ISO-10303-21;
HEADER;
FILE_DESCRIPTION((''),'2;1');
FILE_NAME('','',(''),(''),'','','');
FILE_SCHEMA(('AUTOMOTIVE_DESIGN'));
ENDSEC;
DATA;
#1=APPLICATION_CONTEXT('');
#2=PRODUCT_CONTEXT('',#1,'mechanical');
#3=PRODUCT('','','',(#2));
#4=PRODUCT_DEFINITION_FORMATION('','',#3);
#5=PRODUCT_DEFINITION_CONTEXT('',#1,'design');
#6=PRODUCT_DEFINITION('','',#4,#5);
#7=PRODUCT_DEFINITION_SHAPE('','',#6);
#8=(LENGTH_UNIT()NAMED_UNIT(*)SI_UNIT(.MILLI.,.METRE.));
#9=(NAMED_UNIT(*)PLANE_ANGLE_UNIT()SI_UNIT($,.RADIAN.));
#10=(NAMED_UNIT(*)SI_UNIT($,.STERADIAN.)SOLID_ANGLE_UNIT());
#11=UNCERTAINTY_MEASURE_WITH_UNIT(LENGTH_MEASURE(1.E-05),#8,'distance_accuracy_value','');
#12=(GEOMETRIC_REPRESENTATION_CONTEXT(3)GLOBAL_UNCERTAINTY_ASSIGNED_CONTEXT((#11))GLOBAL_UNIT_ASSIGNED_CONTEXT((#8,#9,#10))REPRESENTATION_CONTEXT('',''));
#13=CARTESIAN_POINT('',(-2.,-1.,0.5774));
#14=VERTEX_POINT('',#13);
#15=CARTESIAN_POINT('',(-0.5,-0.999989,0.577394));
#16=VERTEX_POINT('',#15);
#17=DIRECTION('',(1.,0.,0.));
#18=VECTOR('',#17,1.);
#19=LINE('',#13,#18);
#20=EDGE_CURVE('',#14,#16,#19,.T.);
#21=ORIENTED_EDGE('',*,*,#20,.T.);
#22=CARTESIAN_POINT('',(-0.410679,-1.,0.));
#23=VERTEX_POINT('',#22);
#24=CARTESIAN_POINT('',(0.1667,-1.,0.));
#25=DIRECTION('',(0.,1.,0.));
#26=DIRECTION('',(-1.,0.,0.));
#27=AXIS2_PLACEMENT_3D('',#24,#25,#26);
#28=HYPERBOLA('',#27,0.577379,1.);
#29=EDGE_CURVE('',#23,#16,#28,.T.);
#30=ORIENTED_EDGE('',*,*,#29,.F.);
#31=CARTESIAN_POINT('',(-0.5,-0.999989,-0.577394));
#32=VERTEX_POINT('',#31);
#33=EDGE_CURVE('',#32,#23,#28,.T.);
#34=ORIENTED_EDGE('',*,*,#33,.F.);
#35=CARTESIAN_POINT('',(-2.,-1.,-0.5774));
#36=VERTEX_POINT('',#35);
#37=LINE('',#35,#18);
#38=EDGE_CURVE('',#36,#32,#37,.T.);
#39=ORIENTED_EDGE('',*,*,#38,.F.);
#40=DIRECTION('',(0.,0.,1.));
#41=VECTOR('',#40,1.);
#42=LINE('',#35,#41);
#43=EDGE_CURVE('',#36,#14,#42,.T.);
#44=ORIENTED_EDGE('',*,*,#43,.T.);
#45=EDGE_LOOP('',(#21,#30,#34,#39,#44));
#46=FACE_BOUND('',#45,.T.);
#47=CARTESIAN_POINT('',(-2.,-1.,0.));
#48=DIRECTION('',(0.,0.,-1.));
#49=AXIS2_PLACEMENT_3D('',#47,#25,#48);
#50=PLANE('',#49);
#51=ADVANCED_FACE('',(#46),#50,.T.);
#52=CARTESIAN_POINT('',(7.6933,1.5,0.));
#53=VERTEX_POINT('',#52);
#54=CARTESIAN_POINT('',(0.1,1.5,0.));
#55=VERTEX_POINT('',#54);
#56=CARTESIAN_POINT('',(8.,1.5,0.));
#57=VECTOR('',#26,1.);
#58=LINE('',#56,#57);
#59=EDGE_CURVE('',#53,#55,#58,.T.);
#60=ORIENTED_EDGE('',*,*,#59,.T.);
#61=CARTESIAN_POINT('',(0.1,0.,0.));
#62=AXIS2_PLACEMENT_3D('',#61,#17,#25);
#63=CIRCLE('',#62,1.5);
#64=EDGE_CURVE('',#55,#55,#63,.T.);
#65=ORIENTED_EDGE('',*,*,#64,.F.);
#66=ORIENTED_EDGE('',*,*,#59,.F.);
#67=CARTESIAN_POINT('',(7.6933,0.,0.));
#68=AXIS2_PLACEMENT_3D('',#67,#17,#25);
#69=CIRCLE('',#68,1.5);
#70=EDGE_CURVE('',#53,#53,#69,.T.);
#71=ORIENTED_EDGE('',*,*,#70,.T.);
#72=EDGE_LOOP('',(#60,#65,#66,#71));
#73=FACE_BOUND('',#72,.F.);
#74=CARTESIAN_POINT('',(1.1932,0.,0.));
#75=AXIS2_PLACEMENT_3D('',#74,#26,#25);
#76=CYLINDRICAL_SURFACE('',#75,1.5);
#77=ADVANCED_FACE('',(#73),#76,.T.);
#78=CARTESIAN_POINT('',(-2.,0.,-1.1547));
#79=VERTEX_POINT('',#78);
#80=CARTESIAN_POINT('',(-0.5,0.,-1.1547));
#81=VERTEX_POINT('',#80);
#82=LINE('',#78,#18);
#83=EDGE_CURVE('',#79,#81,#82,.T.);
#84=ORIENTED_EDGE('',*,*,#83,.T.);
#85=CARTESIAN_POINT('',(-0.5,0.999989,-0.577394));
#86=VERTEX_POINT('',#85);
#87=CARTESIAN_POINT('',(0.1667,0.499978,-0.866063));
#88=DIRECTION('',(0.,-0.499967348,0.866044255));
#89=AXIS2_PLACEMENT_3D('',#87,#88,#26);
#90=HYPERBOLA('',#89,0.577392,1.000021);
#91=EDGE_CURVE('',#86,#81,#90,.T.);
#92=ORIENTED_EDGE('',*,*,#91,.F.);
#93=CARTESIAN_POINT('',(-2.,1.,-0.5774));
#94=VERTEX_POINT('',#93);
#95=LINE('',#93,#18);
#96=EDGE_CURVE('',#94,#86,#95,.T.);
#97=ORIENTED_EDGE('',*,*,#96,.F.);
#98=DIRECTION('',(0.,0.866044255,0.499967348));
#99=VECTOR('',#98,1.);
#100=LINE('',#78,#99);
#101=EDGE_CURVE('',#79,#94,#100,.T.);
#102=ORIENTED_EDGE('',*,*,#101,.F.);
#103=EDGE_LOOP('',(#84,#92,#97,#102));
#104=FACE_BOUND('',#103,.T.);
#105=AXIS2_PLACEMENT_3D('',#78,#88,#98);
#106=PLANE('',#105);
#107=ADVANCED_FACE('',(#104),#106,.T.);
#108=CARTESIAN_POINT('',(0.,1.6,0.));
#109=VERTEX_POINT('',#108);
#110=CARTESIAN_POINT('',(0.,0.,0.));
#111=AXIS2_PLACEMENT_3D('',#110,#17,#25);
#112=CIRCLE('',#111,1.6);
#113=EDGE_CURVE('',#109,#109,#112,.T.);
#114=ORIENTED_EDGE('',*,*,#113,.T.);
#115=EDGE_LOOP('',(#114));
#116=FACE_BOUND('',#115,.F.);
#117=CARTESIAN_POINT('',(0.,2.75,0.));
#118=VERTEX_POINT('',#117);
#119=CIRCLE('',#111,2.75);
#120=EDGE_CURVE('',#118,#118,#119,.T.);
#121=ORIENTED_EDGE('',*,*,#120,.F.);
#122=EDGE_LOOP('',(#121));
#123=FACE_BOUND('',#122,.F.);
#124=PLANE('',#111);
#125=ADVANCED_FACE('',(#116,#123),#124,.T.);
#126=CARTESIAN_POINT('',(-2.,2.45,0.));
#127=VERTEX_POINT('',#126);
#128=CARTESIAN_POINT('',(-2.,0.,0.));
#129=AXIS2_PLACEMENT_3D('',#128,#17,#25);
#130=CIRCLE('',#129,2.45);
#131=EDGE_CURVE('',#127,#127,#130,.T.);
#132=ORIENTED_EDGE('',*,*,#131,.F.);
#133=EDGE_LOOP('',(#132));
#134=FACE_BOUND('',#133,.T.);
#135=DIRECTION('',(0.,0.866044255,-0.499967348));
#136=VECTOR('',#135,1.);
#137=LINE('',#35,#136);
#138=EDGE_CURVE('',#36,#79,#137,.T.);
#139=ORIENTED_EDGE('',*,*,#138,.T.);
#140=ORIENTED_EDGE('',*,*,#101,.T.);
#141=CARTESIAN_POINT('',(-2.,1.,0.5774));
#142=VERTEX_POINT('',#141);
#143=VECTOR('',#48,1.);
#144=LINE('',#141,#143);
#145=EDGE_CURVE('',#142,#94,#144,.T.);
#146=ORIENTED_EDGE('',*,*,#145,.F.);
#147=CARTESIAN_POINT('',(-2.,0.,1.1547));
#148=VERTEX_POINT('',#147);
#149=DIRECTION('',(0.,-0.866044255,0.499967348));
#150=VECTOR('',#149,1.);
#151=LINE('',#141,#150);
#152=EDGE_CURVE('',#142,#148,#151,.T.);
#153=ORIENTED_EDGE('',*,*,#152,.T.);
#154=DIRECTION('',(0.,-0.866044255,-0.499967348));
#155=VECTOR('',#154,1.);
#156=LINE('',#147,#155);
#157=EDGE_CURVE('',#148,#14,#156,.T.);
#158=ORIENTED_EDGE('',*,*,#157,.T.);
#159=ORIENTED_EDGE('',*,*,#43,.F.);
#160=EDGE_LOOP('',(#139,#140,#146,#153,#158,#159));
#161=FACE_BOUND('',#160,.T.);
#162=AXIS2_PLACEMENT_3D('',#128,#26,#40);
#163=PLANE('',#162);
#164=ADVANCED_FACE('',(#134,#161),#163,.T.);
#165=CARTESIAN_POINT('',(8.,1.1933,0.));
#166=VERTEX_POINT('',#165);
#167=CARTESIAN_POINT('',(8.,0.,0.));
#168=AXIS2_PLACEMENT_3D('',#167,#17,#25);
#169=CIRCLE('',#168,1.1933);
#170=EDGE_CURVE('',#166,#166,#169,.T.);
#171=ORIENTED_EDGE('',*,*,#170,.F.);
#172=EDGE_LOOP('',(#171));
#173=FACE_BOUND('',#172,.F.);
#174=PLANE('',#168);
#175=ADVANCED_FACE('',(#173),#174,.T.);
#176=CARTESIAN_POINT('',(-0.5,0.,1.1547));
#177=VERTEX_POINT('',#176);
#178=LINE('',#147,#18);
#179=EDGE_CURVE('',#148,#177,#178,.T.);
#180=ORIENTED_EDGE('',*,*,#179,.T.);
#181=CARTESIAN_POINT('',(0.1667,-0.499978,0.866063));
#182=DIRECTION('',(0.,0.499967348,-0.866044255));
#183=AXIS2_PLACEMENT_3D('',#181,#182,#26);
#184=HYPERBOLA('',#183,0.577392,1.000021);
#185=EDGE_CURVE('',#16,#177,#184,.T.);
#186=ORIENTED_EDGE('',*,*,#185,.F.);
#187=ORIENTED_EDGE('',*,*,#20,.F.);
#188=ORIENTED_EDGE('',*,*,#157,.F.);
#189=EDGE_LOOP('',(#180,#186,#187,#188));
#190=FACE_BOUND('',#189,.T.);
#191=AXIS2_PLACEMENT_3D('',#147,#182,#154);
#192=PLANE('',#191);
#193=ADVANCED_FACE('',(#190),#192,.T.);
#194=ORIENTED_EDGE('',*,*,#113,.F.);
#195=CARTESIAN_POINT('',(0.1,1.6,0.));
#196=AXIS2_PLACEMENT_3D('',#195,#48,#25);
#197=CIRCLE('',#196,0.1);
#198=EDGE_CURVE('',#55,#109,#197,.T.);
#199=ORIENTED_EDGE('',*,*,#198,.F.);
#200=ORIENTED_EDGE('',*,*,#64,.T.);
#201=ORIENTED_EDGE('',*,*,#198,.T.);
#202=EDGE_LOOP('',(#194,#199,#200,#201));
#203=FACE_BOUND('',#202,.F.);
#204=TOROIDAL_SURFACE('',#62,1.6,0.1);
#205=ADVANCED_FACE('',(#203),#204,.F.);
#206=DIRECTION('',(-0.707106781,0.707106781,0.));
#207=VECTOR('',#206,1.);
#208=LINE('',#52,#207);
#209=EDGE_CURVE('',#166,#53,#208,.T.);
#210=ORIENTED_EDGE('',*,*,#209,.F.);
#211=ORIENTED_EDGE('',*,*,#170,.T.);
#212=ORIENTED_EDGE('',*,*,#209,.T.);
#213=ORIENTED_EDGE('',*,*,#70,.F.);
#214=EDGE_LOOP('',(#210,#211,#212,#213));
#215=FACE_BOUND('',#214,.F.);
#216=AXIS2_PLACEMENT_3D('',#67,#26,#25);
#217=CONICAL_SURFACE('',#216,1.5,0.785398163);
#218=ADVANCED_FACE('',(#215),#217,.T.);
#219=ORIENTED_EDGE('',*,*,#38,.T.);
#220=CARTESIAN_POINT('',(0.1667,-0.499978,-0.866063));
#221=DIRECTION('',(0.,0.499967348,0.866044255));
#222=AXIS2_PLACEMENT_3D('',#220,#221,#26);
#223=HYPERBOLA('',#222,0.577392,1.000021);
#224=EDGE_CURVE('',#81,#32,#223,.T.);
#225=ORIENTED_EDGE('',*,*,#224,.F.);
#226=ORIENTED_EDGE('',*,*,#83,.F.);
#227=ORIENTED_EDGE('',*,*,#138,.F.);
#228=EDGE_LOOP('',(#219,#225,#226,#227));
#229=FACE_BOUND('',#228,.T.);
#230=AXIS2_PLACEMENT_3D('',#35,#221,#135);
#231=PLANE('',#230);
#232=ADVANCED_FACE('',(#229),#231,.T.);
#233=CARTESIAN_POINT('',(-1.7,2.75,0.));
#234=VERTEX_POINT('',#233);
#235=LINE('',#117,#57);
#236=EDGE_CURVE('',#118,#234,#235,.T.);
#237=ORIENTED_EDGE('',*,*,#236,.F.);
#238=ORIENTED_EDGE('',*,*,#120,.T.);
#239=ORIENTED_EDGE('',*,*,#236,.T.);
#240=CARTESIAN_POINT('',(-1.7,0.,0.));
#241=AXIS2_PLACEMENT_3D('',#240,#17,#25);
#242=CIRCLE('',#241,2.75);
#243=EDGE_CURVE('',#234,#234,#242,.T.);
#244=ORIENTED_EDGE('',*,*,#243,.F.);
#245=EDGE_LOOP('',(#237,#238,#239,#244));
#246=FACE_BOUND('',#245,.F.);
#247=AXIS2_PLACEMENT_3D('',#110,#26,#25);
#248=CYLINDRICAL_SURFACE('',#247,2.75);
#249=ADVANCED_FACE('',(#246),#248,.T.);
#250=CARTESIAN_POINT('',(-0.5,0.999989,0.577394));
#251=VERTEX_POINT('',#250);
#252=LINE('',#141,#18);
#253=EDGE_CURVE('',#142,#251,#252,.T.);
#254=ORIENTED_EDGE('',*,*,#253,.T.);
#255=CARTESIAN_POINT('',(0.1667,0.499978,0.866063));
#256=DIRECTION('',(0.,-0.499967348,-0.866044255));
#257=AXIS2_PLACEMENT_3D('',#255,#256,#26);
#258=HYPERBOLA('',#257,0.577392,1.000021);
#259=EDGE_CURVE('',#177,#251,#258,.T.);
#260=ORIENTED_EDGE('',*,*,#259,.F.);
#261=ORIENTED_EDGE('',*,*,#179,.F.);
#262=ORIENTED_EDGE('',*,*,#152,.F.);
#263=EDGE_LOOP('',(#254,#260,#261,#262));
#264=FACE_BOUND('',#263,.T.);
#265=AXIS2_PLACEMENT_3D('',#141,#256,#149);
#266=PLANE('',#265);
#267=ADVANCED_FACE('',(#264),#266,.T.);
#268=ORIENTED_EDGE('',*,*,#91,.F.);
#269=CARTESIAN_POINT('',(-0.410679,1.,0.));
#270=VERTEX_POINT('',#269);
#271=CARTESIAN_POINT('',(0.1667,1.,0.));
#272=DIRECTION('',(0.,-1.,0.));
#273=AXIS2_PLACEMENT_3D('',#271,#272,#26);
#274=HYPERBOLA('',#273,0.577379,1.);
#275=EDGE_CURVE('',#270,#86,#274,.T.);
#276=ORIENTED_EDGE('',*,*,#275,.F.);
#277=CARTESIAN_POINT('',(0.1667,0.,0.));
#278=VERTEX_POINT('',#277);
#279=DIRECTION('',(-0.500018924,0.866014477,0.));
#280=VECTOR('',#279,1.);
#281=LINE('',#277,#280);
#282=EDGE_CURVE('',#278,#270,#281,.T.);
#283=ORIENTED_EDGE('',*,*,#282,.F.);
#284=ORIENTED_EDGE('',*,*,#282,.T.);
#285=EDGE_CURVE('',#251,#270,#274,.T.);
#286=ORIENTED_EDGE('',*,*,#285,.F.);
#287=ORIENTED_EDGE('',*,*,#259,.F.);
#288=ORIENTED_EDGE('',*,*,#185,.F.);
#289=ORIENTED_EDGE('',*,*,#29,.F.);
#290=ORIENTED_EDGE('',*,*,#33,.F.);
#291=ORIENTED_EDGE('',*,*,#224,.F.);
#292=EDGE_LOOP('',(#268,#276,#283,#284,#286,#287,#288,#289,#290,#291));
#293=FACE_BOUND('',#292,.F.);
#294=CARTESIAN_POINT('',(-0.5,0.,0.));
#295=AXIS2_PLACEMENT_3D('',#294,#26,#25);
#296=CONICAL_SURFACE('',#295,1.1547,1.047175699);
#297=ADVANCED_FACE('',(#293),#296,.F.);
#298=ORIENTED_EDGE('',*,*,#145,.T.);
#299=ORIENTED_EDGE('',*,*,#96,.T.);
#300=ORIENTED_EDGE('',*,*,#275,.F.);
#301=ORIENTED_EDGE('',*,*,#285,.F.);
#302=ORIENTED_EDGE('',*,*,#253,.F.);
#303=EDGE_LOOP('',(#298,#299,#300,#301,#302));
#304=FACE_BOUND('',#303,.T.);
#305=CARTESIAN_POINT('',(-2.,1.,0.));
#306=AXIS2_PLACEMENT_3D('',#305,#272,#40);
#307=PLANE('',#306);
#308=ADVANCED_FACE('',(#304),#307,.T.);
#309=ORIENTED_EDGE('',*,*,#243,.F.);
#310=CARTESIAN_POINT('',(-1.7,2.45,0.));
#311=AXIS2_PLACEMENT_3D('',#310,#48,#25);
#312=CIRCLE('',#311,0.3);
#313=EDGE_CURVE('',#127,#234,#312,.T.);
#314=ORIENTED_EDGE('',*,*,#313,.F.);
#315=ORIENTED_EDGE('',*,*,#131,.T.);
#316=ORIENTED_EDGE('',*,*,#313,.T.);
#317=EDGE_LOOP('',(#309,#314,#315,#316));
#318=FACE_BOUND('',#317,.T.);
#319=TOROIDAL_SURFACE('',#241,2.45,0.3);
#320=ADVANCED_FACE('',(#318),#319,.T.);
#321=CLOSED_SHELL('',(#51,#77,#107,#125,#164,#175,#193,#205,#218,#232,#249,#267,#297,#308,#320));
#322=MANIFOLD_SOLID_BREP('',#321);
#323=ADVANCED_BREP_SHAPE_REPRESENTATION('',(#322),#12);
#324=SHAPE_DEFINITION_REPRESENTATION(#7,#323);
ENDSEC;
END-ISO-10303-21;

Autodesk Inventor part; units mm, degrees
ref_plane "YZ Plane" through (0, 0, 0) normal (1, 0, 0) x (0, 1, 0)
ref_plane "XZ Plane" through (0, 0, 0) normal (0, 1, 0) x (-1, 0, 0)
sketch "Szkic1" plane through (0, 0, 0) normal (0, 0, 1) x (1, 0, 0)
  line L0 (0.1667, 0) -> (8, 0)
  line L1 (8, 0) -> (8, 1.5)
  line L2 (8, 1.5) -> (1.5, 1.5)
  line L3 (1.5, 1.5) -> (1.1932, 1.5)
  line L4 (1.1932, 1.5) -> (0, 1.5)
  line L5 (0, 1.5) -> (0, 2.75)
  line L6 (0, 2.75) -> (-2, 2.75)
  line L7 (-2, 2.75) -> (-2, 1.1547)
  line L8 (-2, 1.1547) -> (-0.5, 1.1547)
  line L9 (-0.5, 1.1547) -> (0.1667, 0)
  line L10 (-4, 0) -> (10, 0) projected
  line L11 (0, -0.55) -> (0, 3.3) projected
  line L12 (1.5, 1.5) -> (0, 1.5) construction
  dimension "d1" = 6.5
  dimension "d2" = 0.3068
  dimension "d3" = 2
  dimension "d4" = 1.5
  dimension "d5" = 60
  dimension "d6" = 3
  dimension "d7" = 3
  dimension "d8" = 2.3094
  dimension "d9" = 5.5
  dimension "d26" = 8
revolve "Bryła" add sketch "Szkic1" angle 360 about axis through (0.1667, 0, 0) along (1, 0, 0) contours L9 L11 L4 L3 L2 L1 L0 | L9 L8 L7 L6 L5 L11
sketch "Szkic2" plane through (-2, 0, 0) normal (-1, 0, 0) x (0, 0, 1)
  circle A0 centre (0, 0) radius 1.1547 projected
  line L0 (0, -3.85) -> (0, 3.85) projected
  line L1 (-3.85, 0) -> (3.85, 0) projected
  line L2 (1.1547, 0) -> (0.5774, -1)
  line L3 (0.5774, -1) -> (-0.5774, -1)
  line L4 (-0.5774, -1) -> (-1.1547, 0)
  line L5 (-1.1547, 0) -> (-0.5774, 1)
  line L6 (-0.5774, 1) -> (0.5774, 1)
  line L7 (0.5774, 1) -> (1.1547, 0)
  point P0 (0, 0)
extrude "Szczelina" add sketch "Szkic2" against normal up to next contours L7 A0 | A0 L2 | L6 L0 A0 | A0 L0 L3 | L0 L6 A0 | A0 L3 L0 | L4 A0 | A0 L5
fillet "Zaokrąglenie1" radius 0.3 1 edges at (-2, -2.75, 0)
thread "Gwint" size "M3x0.5" class "6g" standard "ISO Metric profile" length 6.5
chamfer "Faza1" distance 0.3067 distance2 0.3067 1 edges at (8, -1.5, 0) measured on face at (8, 0.5539, 0.4443)
ref_plane "Work Plane1" through (29, 0, 0) normal (0, -1, 0) x (1, 0, 0)
fillet "Fillet2" radius 0.1 1 edges at (0, -1.5, 0)
equation "\"d1\" = GEL"
equation "\"d3\" = KOH"
equation "\"d4\" = INTI"
equation "\"d6\" = GD"
equation "\"d7\" = BDM"
equation "\"d8\" = 1.1547 * SW"
equation "\"d9\" = KOD"
equation "\"d26\" = NLG"
equation "\"d30\" = R"
equation "\"d17\" = RR"
equation "\"d13\" = GEL"
equation "\"d15\" = -0.5 * SPD + 0.5 * GD"
equation "\"d16\" = GUL"
equation "\"GD\" = NND"
equation "\"NLG\" = 8"
equation "\"GEL\" = 6.5"
equation "\"KOD\" = 5.5"
equation "\"KOH\" = 2"
equation "\"INTI\" = 1.5"
equation "\"GAL\" = 0.61345 * PTC"
equation "\"GUL\" = 0.61345 * PTC"
equation "\"BDM\" = NND"
equation "\"SW\" = 2"
equation "\"RR\" = 0.3"
equation "\"SPD\" = NND - 1.2269 * PTC"
equation "\"R\" = 0.1"
equation "\"TOA\" = 30deg"
equation "\"GD1\" = THREADDIA - 1.2269 * PTC"
equation "\"THREADDIA\" = 3"
equation "\"FAWI\" = 45deg"
equation "\"ANG\" = 120deg"
equation "\"PTC\" = 0.5"
equation "\"NND\" = 3"
equation "\"E0\" = 1.155 * SW"
properties part number "DIN 7984 - M3 x 8" material "Stal, miękka"
